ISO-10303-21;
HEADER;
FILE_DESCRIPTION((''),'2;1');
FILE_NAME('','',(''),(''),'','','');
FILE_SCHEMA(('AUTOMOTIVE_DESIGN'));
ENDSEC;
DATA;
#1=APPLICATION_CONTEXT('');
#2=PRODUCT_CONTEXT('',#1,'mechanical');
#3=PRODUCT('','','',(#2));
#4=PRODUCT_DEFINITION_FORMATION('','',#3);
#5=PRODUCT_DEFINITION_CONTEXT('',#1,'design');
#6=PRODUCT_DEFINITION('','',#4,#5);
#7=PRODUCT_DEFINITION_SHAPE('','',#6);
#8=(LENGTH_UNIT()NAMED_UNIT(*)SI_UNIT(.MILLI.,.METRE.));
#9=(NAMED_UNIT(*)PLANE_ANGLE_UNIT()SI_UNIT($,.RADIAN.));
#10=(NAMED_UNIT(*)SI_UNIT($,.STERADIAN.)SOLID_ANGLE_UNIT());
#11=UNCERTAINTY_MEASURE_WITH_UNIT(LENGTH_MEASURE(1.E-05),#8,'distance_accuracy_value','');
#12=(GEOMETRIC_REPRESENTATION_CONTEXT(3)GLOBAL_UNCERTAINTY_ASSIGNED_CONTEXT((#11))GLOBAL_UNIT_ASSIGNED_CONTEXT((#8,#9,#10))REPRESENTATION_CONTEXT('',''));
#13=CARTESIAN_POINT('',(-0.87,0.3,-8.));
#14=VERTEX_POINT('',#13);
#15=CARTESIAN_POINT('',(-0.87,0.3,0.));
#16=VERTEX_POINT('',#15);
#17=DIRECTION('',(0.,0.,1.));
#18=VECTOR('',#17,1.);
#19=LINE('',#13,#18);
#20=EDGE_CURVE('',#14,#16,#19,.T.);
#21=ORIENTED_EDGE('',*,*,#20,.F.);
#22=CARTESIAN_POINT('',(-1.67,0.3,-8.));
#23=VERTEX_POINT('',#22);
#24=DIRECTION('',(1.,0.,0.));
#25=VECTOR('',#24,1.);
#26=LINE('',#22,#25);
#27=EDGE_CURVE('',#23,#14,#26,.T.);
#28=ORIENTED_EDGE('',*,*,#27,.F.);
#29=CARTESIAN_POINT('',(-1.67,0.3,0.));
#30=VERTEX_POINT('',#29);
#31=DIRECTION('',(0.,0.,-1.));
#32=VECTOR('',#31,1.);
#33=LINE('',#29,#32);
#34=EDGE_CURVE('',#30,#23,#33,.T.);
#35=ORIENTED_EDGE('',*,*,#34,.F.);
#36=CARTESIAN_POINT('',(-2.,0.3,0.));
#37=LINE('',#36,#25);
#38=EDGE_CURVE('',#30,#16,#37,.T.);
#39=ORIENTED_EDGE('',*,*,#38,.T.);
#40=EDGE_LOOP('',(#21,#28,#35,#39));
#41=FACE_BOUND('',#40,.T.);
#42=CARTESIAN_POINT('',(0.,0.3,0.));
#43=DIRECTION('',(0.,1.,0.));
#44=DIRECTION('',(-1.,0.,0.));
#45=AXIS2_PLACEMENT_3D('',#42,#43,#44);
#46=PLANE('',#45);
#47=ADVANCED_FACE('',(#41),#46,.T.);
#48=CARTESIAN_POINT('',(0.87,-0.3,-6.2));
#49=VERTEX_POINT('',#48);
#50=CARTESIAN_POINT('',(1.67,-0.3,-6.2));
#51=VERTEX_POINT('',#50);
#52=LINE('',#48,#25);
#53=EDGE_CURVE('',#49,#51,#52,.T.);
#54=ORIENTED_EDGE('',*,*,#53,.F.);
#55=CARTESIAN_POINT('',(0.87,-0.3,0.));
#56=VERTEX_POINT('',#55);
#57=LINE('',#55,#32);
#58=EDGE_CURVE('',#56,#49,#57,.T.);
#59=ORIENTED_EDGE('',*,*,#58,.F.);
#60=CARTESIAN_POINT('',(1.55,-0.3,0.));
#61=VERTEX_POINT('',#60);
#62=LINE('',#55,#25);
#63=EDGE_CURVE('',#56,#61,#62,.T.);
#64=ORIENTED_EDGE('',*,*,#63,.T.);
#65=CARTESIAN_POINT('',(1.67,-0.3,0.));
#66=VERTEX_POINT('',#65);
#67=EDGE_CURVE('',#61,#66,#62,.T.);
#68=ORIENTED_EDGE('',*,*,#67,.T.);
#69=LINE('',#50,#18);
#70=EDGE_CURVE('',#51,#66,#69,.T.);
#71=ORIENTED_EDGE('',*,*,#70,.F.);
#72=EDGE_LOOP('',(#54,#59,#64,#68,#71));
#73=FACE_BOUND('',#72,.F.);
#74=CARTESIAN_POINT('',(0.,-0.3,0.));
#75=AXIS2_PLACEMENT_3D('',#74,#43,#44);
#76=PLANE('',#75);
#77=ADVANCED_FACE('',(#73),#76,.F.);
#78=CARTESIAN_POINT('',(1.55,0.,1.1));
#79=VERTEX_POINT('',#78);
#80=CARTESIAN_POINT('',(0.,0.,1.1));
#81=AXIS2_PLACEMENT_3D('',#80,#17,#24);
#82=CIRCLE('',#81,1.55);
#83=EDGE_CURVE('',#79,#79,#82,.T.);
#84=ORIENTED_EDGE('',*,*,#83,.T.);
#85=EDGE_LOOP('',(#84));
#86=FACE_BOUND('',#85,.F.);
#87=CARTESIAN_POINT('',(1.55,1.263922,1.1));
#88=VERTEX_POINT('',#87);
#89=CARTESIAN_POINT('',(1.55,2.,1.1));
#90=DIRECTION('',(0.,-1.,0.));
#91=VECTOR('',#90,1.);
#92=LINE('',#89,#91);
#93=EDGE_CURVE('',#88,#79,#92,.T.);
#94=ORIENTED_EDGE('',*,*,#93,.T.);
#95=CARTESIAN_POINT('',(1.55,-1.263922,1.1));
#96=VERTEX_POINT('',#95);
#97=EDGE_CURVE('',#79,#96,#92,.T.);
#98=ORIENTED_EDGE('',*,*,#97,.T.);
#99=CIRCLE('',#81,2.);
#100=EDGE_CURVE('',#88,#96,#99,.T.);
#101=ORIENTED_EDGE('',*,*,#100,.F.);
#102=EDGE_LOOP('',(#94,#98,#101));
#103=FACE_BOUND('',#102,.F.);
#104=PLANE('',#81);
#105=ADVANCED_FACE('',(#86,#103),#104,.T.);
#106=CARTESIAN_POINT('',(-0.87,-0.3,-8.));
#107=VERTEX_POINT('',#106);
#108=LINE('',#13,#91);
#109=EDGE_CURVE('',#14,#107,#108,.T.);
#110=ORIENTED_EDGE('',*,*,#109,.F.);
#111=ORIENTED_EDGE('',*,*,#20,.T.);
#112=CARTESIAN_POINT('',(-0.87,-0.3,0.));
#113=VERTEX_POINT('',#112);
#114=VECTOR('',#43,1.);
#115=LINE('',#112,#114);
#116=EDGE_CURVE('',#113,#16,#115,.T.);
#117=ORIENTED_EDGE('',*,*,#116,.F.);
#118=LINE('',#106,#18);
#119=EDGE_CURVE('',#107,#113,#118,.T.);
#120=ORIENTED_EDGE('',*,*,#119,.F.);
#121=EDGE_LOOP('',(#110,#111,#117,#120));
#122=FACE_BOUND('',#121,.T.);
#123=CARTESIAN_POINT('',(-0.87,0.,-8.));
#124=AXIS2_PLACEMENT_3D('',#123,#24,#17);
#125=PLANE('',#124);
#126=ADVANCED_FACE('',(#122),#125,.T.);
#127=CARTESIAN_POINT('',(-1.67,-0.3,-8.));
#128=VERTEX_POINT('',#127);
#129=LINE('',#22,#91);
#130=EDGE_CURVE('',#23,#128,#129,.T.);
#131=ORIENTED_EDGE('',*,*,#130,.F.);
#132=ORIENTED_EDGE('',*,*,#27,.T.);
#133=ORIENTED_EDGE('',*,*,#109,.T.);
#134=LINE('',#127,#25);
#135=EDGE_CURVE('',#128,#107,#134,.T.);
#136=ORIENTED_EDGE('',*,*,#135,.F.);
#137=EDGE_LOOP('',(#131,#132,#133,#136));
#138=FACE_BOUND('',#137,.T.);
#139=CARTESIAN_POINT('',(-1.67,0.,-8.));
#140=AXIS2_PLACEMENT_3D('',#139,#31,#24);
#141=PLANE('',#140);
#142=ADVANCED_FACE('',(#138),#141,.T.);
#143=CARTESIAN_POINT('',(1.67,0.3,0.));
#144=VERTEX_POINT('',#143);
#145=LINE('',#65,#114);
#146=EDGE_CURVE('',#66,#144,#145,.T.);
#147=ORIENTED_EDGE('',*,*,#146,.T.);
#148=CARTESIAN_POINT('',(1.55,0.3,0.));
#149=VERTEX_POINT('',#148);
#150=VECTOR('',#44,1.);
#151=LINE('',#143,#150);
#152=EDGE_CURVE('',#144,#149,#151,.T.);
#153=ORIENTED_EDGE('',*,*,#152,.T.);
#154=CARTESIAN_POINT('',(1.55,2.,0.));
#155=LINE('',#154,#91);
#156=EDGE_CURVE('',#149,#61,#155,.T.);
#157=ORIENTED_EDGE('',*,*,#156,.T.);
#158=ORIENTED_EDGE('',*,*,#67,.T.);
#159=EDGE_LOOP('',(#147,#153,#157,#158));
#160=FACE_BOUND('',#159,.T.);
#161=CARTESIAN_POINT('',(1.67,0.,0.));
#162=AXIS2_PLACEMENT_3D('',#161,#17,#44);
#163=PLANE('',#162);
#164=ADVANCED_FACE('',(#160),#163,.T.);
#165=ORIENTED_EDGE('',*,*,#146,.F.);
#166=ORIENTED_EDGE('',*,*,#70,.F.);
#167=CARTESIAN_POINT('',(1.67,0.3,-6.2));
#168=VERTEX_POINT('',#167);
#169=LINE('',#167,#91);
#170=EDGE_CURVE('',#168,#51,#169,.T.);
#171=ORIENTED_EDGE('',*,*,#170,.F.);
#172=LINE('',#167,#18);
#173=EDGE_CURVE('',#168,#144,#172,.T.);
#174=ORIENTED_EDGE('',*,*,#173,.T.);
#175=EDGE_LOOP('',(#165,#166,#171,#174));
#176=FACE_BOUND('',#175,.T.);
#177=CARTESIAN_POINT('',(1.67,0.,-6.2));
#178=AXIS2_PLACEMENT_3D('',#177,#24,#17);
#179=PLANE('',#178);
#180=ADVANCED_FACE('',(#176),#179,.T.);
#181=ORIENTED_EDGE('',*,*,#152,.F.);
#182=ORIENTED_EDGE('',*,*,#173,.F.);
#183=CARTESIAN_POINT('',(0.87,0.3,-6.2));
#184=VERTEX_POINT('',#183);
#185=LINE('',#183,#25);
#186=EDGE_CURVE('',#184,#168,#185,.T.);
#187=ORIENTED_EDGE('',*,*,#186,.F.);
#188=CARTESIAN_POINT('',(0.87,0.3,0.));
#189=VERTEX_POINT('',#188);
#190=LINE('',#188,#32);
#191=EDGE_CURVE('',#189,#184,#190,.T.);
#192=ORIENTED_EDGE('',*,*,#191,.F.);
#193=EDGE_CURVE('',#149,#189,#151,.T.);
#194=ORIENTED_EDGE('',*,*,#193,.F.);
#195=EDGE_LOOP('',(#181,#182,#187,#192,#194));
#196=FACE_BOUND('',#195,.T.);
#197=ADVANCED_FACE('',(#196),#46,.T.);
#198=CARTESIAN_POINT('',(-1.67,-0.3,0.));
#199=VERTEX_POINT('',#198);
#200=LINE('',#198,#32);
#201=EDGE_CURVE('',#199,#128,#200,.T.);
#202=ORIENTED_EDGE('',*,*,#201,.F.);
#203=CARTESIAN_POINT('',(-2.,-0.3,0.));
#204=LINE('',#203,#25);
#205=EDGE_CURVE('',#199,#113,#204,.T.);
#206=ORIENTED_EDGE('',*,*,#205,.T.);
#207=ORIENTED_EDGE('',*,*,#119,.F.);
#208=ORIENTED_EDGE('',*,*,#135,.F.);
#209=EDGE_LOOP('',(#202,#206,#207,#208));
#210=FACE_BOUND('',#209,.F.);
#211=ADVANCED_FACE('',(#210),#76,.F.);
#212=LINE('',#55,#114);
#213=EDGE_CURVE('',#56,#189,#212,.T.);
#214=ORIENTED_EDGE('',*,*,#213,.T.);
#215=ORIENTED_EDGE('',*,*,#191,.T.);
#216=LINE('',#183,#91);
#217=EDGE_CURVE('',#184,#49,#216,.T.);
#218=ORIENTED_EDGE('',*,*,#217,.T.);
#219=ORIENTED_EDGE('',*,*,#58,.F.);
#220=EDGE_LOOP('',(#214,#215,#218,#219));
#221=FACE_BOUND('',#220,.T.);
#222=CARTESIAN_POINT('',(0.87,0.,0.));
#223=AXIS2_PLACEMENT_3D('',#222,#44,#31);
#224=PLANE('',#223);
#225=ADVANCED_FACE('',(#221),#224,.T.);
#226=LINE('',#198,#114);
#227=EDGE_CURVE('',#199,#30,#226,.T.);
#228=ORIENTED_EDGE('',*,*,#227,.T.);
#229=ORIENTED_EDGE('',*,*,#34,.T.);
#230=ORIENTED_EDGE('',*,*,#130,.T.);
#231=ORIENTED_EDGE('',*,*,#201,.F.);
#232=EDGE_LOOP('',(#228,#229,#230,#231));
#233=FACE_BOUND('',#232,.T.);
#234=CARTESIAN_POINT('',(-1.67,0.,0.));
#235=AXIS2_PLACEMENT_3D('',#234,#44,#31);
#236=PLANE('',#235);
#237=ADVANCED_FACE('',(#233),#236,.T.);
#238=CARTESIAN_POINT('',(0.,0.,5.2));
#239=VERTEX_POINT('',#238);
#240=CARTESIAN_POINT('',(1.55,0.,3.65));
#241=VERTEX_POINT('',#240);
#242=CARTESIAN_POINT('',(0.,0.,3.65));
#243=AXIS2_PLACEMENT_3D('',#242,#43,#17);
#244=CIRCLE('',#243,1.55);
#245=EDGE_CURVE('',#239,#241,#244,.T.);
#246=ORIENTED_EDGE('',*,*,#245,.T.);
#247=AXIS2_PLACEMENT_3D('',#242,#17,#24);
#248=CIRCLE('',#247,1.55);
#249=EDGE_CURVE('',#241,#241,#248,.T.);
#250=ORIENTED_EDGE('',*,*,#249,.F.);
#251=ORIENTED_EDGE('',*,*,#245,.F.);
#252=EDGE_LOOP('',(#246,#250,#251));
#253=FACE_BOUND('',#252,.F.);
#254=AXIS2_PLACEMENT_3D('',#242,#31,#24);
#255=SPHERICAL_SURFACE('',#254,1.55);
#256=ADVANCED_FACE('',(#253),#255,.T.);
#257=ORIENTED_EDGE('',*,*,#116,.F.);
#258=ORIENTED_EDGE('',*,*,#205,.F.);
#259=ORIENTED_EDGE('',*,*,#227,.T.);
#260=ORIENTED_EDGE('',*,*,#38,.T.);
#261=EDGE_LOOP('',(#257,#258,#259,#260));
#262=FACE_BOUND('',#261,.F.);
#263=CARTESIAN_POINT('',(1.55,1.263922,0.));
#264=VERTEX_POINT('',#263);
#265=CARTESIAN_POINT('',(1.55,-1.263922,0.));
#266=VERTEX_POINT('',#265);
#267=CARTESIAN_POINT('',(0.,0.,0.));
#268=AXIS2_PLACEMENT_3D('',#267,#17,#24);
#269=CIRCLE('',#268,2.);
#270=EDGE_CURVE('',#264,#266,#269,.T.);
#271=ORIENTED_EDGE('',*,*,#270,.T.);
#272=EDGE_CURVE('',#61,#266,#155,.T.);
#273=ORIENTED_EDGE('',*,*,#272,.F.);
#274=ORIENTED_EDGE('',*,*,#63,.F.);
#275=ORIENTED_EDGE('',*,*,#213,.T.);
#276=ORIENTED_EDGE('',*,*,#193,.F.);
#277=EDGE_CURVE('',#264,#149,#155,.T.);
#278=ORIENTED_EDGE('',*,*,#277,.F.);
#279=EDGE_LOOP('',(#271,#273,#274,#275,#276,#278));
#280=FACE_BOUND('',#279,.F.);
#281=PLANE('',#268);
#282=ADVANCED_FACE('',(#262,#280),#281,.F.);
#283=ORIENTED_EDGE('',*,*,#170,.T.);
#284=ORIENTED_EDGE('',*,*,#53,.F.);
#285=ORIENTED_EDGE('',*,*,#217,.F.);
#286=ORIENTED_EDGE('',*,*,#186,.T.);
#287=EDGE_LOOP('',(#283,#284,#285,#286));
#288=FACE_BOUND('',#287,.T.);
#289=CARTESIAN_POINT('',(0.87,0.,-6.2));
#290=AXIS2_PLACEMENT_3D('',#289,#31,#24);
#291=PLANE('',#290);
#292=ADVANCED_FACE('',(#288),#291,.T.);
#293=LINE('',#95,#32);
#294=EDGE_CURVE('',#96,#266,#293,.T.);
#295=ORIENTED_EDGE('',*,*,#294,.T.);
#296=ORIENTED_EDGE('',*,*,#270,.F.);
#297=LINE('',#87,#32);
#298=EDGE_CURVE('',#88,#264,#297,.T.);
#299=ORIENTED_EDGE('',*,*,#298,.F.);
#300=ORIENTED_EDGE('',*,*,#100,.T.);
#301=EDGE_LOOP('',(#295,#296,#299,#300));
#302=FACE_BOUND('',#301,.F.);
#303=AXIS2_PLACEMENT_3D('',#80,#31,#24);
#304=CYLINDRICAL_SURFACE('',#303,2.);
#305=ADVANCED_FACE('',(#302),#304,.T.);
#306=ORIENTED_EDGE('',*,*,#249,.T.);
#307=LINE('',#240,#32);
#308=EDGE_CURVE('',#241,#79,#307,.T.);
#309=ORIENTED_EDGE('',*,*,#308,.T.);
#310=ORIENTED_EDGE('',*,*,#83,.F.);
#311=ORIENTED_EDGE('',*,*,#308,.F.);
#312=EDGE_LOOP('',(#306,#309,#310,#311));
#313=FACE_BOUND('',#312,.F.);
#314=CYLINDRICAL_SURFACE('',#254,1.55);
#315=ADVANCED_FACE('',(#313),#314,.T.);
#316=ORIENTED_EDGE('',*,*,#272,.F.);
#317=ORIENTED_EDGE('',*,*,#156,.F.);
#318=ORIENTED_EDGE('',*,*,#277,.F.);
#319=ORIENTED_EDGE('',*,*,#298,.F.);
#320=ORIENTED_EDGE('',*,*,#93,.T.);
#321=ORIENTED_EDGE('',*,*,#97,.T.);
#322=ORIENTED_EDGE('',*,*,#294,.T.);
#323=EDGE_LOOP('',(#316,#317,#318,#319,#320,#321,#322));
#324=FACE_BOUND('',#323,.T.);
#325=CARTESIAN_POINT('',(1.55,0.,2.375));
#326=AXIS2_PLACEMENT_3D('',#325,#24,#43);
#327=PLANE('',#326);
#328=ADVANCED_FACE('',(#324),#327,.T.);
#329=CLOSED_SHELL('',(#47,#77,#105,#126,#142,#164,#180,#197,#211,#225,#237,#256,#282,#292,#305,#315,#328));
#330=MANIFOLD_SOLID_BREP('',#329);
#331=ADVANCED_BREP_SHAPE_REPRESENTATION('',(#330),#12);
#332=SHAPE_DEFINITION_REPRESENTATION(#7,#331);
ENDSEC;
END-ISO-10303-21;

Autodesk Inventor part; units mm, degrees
ref_plane "XZ Plane" through (0, 0, 0) normal (0, 1, 0) x (-1, 0, 0)
ref_plane "XY Plane" through (0, 0, 0) normal (0, 0, 1) x (1, 0, 0)
sketch "Skizze2" plane through (0, 0, 0) normal (0, 1, 0) x (-1, 0, 0)
  line L0 (0, 0) -> (0, 5.2)
  arc A0 (0, 5.2) -> (-1.55, 3.65) centre (0, 3.65) ccw
  line L1 (-1.55, 3.65) -> (-1.55, 1.1)
  line L2 (-1.55, 1.1) -> (-2, 1.1)
  line L3 (-2, 1.1) -> (-2, 0)
  line L4 (-2, 0) -> (0, 0)
  dimension "d0" = 5.2
  dimension "d1" = 3.1
  dimension "d2" = 4.1
  dimension "d3" = 4
revolve "Umdrehung1" add sketch "Skizze2" angle 360 about axis through (0, 0, 0) along (0, 0, 1)
ref_plane "Arbeitsebene1" through (1.55, 0, 2.375) normal (1, 0, 0) x (0, 1, 0)
sketch "Skizze3" plane through (1.55, 0, 2.375) normal (1, 0, 0) x (0, 1, 0)
  line L0 (2, -2.375) -> (-2, -2.375) projected
  line L1 (2, -1.275) -> (-2, -1.275) projected
  line L2 (2, -1.275) -> (-2, -1.275) projected
  line L3 (-2, -1.275) -> (2, -1.275)
  line L4 (2, -1.275) -> (2, -2.375)
  line L5 (2, -2.375) -> (-2, -2.375)
  line L6 (-2, -2.375) -> (-2, -1.275)
  point P0 (0, -2.375)
extrude "Extrusion1" cut sketch "Skizze3" along normal through all
sketch "Skizze4" plane through (0, 0, 0) normal (0, 1, 0) x (-1, 0, 0)
  line L0 (-1.55, 0) -> (-1.55, 0) projected
  line L1 (2, 0) -> (-1.55, 0) projected
  line L2 (0.87, 0) -> (1.67, 0)
  line L3 (1.67, 0) -> (1.67, -8)
  line L4 (1.67, -8) -> (0.87, -8)
  line L5 (0.87, -8) -> (0.87, 0)
  line L6 (-1.67, 0) -> (-0.87, 0)
  line L7 (-0.87, 0) -> (-0.87, -6.2)
  line L8 (-0.87, -6.2) -> (-1.67, -6.2)
  line L9 (-1.67, -6.2) -> (-1.67, 0)
  line L10 (0, -7.8775) -> (0, 7.3796) projected
  line L11 (1.27, -8) -> (1.27, 0) construction
  line L12 (-1.27, 0) -> (-1.27, -6.2) construction
  point P0 (0, 0)
  dimension "d7" = 0.8
  dimension "d8" = 0.8
  dimension "d9" = 2.54
  dimension "d10" = 1.8
  dimension "d11" = 8
extrude "Extrusion2" add sketch "Skizze4" along normal mid plane 0.6
sketch "Skizze5" plane through (0, 0, 0) normal (1, 0, 0) x (0, 1, 0)
  line L0 (0, 12.04) -> (0, -35.84) projected
  line L1 (0, 2.4) -> (0, 52.4)
  line L2 (0, 2.4) -> (18.1985, 52.4)
  line L3 (18.1985, 52.4) -> (0, 52.4)
  arc A0 (1.55, 3.65) -> (-1.55, 3.65) centre (0, 3.65) ccw projected
  line L4 (-3.0679, 5.2) -> (3.702, 5.2) construction
  point P0 (0, 0)
  dimension "d14" = 50
  dimension "d15" = 2.8
  dimension "d16" = 20
revolve "Umdrehung2" [suppressed]
properties part number "LED 3mm" material "PC/ABS-Kunststoff"
